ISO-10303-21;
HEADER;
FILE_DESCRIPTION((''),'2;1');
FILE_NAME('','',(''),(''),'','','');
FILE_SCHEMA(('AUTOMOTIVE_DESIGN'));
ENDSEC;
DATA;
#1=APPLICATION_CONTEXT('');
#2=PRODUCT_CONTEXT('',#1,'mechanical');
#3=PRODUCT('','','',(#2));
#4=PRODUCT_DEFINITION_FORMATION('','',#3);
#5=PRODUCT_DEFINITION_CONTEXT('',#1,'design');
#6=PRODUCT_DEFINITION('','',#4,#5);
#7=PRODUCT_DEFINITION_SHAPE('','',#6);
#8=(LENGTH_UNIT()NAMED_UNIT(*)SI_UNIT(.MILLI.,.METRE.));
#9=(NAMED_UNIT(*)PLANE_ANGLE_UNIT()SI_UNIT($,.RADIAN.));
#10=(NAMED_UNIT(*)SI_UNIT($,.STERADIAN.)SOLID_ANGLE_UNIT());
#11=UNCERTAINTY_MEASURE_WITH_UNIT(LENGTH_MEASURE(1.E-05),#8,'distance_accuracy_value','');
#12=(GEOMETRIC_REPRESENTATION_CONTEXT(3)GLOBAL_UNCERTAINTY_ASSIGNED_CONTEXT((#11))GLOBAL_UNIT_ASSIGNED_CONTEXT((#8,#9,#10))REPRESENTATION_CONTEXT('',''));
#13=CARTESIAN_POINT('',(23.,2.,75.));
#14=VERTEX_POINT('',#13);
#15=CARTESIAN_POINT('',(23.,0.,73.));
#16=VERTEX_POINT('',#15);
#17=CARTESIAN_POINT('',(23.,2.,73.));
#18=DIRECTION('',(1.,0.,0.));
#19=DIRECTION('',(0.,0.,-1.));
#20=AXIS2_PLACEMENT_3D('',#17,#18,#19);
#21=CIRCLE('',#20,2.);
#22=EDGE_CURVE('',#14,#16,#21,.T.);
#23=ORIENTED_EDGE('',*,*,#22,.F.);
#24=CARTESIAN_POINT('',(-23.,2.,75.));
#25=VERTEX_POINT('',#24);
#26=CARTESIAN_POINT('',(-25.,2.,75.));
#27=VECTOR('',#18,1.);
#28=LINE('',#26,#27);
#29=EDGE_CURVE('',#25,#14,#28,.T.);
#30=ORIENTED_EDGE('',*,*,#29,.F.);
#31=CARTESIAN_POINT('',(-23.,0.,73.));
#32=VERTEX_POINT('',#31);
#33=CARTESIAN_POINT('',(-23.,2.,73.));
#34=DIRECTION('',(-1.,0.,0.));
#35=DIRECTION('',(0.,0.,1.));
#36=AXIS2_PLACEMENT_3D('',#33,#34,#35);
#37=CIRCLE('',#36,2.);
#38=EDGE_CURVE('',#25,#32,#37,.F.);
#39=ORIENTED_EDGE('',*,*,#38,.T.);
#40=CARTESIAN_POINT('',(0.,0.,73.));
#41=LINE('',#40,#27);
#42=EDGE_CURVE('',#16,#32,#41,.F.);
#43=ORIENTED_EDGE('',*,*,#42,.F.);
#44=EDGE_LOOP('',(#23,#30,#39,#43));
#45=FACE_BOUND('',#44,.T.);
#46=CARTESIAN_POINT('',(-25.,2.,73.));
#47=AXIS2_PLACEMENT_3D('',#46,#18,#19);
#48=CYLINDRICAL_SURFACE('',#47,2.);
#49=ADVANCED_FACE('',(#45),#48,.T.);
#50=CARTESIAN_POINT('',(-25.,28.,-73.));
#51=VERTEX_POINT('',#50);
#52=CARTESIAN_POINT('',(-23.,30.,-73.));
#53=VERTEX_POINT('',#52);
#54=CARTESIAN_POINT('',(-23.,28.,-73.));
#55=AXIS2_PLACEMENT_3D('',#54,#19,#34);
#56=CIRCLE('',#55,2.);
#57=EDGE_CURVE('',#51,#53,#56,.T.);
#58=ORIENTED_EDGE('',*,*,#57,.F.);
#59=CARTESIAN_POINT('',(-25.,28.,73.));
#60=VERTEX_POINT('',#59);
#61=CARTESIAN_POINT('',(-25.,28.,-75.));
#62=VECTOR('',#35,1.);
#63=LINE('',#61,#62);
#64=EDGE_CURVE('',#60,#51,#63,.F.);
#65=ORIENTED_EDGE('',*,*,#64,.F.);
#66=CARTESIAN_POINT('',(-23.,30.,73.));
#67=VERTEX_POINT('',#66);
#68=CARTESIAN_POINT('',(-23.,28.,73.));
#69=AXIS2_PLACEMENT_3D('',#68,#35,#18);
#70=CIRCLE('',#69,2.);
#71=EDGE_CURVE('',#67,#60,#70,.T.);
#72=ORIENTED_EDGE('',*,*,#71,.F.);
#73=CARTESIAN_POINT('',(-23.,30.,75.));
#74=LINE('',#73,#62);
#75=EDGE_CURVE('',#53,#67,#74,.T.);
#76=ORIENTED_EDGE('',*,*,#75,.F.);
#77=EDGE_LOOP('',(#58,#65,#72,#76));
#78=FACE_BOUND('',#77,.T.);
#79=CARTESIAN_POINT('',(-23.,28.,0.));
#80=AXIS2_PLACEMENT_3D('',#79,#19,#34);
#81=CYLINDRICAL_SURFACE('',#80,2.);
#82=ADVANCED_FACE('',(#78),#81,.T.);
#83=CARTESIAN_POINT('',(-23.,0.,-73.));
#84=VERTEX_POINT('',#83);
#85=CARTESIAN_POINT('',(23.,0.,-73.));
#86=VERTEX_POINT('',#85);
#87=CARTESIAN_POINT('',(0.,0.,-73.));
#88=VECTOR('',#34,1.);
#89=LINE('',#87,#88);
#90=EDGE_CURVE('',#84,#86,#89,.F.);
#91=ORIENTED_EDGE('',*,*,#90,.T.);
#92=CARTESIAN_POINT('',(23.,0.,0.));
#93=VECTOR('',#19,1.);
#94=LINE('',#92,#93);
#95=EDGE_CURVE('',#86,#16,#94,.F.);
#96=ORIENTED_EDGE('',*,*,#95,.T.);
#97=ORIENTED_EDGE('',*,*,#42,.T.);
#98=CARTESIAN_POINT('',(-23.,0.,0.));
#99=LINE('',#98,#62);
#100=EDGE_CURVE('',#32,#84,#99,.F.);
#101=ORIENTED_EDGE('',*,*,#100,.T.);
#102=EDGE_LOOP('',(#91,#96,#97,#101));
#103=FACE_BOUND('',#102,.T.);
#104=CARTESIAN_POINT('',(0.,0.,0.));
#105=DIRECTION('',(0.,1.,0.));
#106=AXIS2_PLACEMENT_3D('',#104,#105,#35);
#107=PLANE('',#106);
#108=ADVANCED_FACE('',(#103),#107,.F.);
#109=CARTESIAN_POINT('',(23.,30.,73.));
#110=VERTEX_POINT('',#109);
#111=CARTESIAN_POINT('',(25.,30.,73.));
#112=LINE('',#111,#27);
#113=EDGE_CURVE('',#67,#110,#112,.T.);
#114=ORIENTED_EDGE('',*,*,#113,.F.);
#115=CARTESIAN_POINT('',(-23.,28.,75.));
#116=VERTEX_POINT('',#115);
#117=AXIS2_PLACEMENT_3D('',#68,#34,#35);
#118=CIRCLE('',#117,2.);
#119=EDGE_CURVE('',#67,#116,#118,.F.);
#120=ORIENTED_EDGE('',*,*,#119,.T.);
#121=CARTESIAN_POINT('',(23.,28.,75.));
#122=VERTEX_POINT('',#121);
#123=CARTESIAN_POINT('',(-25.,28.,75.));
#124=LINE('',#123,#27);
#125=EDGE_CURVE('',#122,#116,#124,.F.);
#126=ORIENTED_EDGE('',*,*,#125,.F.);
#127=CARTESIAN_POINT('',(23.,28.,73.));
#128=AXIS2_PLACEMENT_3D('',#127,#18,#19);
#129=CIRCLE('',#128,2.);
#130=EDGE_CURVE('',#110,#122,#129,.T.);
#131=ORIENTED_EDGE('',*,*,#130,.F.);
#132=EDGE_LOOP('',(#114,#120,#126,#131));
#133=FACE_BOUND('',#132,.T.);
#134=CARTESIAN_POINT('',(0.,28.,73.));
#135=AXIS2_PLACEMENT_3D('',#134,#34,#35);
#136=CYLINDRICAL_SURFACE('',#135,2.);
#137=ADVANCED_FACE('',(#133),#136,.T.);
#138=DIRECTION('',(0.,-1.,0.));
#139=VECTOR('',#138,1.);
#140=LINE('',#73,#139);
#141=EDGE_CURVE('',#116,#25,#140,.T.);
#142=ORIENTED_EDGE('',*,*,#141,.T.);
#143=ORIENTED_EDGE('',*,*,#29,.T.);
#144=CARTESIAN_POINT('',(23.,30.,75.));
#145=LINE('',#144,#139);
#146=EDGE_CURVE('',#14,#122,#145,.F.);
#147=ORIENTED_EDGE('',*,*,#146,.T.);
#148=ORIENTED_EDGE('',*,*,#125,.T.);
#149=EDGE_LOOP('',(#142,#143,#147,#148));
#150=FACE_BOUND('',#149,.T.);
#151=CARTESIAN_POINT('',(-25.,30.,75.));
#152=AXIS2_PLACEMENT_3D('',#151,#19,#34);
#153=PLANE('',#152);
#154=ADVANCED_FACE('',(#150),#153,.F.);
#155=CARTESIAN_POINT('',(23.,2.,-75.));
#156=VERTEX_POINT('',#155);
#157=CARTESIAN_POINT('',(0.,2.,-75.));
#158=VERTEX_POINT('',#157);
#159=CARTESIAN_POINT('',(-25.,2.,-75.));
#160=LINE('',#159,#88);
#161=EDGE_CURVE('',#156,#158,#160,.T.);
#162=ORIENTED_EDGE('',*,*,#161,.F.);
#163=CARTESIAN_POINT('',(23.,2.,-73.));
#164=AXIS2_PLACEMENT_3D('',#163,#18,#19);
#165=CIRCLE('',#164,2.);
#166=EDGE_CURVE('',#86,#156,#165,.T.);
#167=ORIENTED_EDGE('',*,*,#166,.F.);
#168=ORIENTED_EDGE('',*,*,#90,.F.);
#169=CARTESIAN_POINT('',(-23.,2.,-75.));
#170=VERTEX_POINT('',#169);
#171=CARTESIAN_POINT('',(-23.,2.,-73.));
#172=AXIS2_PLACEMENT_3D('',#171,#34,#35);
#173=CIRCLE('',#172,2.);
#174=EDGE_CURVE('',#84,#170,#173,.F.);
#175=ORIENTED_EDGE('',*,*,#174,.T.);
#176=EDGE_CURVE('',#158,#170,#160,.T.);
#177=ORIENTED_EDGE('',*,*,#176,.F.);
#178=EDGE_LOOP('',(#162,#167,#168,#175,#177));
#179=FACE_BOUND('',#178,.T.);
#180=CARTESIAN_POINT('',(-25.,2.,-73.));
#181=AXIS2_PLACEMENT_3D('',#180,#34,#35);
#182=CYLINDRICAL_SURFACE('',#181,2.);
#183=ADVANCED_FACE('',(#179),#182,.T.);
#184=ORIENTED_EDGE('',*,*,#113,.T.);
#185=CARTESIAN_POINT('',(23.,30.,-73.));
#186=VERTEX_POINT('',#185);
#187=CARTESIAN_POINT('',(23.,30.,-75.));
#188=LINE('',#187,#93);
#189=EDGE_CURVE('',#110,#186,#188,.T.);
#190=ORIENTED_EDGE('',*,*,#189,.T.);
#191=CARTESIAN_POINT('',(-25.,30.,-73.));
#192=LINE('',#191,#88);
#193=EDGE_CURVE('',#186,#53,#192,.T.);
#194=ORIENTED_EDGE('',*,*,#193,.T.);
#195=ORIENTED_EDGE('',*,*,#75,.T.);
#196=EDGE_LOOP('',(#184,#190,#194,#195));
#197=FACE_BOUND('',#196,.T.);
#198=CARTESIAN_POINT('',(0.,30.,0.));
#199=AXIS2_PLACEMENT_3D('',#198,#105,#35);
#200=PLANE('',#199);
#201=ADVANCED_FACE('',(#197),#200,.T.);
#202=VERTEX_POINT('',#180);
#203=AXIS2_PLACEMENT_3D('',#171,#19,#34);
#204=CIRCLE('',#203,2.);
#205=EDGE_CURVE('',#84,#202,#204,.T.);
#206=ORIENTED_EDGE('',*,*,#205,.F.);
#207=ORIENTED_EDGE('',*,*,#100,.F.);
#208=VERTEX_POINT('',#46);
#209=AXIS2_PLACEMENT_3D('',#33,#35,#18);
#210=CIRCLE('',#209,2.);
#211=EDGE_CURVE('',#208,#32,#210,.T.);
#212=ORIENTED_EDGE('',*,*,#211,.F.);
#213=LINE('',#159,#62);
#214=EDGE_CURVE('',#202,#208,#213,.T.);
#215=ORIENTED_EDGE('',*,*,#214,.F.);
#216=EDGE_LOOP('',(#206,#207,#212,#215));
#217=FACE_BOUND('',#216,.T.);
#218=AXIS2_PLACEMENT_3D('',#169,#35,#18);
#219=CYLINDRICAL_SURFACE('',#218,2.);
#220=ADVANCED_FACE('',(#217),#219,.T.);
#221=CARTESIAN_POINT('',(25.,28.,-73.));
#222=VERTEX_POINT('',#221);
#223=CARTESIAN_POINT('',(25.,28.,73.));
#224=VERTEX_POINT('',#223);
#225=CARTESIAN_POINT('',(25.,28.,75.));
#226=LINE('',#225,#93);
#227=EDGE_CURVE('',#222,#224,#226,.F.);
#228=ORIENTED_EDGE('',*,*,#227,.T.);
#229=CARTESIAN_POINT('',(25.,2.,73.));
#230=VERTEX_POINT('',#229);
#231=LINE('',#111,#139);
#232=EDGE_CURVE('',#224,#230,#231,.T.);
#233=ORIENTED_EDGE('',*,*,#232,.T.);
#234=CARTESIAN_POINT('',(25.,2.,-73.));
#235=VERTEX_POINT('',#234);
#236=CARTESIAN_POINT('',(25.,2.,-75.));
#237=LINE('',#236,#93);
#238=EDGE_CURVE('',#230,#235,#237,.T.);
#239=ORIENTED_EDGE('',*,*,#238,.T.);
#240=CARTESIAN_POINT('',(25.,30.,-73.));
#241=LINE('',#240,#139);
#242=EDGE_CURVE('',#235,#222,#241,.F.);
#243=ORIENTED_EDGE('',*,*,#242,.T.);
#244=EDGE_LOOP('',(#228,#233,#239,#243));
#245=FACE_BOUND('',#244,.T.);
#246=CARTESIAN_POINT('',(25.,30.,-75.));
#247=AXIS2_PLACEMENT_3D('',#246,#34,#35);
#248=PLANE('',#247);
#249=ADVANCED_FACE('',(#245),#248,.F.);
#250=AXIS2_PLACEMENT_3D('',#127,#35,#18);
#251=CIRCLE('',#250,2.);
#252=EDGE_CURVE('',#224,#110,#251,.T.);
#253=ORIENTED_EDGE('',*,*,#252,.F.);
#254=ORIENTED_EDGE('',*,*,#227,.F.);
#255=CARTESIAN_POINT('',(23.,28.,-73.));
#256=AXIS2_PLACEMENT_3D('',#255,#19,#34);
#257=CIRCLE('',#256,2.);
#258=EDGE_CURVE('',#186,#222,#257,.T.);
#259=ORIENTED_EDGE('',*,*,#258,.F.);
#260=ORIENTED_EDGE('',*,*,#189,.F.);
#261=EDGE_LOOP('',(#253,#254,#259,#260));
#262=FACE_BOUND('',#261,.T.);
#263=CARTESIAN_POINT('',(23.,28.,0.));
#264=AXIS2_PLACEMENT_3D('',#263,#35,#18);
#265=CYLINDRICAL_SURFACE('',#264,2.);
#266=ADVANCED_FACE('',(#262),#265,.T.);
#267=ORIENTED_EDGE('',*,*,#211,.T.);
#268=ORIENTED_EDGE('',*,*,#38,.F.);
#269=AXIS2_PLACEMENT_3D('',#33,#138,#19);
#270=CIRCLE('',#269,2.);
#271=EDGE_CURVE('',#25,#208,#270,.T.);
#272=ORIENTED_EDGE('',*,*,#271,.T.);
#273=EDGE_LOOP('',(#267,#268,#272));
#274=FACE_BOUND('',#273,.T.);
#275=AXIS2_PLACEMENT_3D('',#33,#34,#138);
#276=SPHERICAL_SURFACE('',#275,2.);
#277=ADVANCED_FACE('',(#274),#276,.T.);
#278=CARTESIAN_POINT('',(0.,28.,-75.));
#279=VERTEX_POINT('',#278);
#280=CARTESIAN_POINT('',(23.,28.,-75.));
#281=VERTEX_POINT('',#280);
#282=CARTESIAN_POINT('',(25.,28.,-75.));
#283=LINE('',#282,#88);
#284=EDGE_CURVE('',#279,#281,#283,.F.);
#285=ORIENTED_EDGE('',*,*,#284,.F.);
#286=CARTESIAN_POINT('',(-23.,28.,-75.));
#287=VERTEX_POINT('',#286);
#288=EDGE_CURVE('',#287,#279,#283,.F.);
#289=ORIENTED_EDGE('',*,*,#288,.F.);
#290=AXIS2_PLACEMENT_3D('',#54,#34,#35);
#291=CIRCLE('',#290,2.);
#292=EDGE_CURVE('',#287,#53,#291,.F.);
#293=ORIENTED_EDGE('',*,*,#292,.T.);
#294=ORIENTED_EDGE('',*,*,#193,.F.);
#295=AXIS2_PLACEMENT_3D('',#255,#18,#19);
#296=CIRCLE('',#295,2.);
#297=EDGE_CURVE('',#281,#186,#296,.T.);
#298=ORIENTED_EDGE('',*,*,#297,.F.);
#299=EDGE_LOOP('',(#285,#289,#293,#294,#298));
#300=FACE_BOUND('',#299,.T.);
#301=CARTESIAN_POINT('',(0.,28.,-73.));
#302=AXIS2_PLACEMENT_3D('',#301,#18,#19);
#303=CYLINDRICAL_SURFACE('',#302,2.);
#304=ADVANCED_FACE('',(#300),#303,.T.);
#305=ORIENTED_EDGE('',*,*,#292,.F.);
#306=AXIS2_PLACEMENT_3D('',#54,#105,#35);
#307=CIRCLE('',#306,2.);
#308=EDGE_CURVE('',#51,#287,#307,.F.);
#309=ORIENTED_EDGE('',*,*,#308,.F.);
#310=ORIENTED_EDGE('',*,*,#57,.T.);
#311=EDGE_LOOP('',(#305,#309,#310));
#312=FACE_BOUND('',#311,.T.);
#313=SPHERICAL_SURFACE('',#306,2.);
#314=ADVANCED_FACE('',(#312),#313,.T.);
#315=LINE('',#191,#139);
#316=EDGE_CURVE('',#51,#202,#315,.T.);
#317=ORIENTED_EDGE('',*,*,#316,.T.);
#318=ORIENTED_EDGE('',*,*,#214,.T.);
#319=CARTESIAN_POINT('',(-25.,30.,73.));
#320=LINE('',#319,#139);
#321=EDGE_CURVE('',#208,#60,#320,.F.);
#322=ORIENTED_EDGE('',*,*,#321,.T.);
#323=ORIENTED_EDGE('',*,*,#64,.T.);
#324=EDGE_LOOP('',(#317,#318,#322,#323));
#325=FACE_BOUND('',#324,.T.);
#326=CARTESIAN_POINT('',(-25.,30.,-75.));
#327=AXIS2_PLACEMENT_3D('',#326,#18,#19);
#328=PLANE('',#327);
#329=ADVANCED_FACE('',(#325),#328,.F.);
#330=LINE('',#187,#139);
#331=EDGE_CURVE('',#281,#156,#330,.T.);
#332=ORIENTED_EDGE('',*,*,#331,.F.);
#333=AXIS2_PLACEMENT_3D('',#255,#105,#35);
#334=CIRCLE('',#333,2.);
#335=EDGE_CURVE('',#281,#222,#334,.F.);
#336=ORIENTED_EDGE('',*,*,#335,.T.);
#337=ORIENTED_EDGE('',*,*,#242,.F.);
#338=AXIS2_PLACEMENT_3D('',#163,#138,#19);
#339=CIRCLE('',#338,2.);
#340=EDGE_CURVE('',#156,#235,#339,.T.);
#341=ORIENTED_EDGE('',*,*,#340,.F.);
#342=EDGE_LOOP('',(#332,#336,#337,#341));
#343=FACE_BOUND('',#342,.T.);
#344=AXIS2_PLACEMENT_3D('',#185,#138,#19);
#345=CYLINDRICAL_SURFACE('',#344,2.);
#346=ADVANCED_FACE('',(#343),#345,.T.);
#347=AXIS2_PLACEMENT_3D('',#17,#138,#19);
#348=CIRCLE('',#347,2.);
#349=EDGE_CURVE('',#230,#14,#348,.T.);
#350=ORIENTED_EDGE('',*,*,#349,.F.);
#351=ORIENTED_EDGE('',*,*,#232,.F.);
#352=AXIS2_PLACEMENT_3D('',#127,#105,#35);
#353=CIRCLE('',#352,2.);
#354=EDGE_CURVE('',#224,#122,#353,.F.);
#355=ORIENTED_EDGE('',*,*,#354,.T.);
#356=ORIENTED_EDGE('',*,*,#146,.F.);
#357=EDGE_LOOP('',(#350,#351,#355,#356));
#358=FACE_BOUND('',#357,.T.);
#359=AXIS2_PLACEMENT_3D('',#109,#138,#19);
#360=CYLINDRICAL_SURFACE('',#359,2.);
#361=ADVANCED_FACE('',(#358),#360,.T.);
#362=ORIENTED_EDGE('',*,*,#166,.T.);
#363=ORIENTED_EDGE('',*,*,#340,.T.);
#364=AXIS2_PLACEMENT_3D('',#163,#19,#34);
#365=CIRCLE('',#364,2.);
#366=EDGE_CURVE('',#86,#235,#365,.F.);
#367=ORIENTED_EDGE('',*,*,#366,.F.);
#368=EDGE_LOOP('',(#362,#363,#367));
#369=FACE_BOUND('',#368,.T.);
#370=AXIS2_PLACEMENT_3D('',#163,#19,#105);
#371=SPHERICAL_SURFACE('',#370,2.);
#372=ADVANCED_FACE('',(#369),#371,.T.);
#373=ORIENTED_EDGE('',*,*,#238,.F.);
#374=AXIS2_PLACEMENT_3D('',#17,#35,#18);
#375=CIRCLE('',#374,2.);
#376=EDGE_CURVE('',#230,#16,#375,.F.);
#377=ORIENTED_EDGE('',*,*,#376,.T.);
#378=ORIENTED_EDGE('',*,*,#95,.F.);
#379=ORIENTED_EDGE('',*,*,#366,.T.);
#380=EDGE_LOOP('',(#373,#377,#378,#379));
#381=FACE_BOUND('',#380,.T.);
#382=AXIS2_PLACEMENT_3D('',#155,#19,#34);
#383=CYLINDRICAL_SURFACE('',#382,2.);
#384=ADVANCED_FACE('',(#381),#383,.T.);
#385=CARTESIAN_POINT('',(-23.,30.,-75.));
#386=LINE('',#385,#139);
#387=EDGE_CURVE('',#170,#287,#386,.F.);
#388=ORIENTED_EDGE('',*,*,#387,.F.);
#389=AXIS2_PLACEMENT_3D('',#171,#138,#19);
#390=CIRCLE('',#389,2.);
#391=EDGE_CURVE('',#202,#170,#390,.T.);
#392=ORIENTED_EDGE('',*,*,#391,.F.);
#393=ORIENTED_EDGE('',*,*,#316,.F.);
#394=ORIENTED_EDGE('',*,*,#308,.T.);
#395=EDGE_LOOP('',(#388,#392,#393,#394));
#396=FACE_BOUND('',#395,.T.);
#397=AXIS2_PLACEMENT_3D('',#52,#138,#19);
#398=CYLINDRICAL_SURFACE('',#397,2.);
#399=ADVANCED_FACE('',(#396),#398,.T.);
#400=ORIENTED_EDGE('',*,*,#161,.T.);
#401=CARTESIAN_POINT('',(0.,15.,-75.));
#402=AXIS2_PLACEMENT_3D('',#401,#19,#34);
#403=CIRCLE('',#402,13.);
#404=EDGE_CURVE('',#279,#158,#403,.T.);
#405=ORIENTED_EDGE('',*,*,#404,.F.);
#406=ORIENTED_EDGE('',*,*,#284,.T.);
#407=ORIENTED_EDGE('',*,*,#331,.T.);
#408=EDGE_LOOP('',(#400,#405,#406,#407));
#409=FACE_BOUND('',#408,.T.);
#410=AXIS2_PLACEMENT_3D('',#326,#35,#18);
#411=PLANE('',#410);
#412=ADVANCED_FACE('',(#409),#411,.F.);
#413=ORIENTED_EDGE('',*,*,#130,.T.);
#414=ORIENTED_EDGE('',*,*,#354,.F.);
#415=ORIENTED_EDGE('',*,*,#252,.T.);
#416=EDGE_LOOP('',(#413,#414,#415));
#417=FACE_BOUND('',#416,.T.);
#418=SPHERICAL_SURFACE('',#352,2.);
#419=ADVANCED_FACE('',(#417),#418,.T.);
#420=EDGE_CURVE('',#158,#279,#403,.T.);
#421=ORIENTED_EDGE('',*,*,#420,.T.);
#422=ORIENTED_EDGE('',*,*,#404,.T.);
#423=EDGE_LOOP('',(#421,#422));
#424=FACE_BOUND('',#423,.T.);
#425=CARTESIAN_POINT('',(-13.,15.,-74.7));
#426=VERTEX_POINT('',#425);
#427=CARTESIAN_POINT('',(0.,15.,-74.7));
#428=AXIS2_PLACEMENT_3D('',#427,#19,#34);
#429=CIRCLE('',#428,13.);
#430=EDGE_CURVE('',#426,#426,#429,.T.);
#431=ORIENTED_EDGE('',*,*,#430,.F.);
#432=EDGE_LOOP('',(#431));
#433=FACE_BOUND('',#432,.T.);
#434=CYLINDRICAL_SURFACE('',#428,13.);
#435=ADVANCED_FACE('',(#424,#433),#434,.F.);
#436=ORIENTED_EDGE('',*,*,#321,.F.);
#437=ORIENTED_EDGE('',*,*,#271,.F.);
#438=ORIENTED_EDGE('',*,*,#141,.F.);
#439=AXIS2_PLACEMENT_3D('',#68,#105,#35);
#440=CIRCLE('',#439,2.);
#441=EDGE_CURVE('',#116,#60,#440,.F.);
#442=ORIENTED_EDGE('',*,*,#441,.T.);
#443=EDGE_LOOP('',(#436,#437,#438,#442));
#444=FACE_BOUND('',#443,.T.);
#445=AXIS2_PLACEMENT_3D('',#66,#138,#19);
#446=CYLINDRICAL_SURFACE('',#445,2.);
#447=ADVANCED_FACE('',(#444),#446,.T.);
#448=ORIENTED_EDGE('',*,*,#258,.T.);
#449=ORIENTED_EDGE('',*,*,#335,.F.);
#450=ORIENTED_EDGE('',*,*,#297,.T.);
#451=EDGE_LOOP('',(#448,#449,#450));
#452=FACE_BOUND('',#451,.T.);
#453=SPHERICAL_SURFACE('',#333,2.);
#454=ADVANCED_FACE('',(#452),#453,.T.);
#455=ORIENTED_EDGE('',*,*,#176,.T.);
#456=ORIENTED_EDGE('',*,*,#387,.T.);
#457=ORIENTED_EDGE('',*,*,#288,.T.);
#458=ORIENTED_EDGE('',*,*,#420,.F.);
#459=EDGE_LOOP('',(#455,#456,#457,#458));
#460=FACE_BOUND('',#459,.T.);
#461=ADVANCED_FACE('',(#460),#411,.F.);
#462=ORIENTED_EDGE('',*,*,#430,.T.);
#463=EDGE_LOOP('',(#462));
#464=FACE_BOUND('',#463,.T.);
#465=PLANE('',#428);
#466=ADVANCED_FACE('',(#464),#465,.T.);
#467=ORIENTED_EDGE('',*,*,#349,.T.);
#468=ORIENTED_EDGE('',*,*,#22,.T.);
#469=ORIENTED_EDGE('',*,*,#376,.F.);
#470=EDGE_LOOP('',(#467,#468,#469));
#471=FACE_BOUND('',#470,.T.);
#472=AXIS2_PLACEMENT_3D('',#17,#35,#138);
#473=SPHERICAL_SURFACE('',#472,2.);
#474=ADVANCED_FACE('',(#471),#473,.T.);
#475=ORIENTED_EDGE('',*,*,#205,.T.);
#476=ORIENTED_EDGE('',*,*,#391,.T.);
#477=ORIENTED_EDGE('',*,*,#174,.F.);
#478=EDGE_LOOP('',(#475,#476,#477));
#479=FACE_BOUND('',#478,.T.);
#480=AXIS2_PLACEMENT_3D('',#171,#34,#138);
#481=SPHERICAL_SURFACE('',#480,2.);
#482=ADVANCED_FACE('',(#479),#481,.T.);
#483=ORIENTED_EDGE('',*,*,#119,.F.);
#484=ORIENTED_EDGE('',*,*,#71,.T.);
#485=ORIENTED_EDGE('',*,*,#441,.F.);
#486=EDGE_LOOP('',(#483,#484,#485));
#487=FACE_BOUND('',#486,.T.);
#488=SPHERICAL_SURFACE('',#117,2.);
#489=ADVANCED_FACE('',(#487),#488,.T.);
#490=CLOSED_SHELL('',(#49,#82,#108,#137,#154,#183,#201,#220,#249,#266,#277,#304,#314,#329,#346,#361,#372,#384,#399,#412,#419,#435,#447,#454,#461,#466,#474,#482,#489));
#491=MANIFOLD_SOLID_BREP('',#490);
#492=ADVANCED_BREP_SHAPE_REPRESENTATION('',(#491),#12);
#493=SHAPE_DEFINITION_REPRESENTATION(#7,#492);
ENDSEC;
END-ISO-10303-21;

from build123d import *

# Parameters (mm, degrees)
SKETCH2_W           = 50
SKETCH2_H           = 150
BOSS_EXTRUDE1_DEPTH = 30
FILLET1_R           = 2
SKETCH3_R           = 13
CUT_EXTRUDE1_DEPTH  = 0.3


with BuildPart() as part:
    # Sketch2 → Boss-Extrude1 (new body)
    with BuildSketch(Plane(origin=(0, 0, 0), x_dir=(1, 0, 0), z_dir=(0, 1, 0))):
        Rectangle(SKETCH2_W, SKETCH2_H)
    extrude(amount=BOSS_EXTRUDE1_DEPTH)

    # Fillet1
    fillet1_edges = [part.edges().sort_by_distance(p)[0] for p in [
        (-25, 30, 0),
        (0, 30, 75),
        (25, 30, 0),
        (0, 0, 75),
        (-25, 0, 0),
        (0, 0, -75),
        (25, 0, 0),
        (25, 15, 75),
        (-25, 15, 75),
        (-25, 15, -75),
        (25, 15, -75),
        (0, 30, -75),
    ]]
    fillet(fillet1_edges, radius=FILLET1_R)

    # Sketch3 → Cut-Extrude1 (cut)
    with BuildSketch(Plane(origin=(0, 0, -75), x_dir=(-1, 0, 0), z_dir=(0, 0, -1))):
        with Locations((0, 15)):
            Circle(SKETCH3_R)
    extrude(amount=-CUT_EXTRUDE1_DEPTH, mode=Mode.SUBTRACT)


solid = part.part
